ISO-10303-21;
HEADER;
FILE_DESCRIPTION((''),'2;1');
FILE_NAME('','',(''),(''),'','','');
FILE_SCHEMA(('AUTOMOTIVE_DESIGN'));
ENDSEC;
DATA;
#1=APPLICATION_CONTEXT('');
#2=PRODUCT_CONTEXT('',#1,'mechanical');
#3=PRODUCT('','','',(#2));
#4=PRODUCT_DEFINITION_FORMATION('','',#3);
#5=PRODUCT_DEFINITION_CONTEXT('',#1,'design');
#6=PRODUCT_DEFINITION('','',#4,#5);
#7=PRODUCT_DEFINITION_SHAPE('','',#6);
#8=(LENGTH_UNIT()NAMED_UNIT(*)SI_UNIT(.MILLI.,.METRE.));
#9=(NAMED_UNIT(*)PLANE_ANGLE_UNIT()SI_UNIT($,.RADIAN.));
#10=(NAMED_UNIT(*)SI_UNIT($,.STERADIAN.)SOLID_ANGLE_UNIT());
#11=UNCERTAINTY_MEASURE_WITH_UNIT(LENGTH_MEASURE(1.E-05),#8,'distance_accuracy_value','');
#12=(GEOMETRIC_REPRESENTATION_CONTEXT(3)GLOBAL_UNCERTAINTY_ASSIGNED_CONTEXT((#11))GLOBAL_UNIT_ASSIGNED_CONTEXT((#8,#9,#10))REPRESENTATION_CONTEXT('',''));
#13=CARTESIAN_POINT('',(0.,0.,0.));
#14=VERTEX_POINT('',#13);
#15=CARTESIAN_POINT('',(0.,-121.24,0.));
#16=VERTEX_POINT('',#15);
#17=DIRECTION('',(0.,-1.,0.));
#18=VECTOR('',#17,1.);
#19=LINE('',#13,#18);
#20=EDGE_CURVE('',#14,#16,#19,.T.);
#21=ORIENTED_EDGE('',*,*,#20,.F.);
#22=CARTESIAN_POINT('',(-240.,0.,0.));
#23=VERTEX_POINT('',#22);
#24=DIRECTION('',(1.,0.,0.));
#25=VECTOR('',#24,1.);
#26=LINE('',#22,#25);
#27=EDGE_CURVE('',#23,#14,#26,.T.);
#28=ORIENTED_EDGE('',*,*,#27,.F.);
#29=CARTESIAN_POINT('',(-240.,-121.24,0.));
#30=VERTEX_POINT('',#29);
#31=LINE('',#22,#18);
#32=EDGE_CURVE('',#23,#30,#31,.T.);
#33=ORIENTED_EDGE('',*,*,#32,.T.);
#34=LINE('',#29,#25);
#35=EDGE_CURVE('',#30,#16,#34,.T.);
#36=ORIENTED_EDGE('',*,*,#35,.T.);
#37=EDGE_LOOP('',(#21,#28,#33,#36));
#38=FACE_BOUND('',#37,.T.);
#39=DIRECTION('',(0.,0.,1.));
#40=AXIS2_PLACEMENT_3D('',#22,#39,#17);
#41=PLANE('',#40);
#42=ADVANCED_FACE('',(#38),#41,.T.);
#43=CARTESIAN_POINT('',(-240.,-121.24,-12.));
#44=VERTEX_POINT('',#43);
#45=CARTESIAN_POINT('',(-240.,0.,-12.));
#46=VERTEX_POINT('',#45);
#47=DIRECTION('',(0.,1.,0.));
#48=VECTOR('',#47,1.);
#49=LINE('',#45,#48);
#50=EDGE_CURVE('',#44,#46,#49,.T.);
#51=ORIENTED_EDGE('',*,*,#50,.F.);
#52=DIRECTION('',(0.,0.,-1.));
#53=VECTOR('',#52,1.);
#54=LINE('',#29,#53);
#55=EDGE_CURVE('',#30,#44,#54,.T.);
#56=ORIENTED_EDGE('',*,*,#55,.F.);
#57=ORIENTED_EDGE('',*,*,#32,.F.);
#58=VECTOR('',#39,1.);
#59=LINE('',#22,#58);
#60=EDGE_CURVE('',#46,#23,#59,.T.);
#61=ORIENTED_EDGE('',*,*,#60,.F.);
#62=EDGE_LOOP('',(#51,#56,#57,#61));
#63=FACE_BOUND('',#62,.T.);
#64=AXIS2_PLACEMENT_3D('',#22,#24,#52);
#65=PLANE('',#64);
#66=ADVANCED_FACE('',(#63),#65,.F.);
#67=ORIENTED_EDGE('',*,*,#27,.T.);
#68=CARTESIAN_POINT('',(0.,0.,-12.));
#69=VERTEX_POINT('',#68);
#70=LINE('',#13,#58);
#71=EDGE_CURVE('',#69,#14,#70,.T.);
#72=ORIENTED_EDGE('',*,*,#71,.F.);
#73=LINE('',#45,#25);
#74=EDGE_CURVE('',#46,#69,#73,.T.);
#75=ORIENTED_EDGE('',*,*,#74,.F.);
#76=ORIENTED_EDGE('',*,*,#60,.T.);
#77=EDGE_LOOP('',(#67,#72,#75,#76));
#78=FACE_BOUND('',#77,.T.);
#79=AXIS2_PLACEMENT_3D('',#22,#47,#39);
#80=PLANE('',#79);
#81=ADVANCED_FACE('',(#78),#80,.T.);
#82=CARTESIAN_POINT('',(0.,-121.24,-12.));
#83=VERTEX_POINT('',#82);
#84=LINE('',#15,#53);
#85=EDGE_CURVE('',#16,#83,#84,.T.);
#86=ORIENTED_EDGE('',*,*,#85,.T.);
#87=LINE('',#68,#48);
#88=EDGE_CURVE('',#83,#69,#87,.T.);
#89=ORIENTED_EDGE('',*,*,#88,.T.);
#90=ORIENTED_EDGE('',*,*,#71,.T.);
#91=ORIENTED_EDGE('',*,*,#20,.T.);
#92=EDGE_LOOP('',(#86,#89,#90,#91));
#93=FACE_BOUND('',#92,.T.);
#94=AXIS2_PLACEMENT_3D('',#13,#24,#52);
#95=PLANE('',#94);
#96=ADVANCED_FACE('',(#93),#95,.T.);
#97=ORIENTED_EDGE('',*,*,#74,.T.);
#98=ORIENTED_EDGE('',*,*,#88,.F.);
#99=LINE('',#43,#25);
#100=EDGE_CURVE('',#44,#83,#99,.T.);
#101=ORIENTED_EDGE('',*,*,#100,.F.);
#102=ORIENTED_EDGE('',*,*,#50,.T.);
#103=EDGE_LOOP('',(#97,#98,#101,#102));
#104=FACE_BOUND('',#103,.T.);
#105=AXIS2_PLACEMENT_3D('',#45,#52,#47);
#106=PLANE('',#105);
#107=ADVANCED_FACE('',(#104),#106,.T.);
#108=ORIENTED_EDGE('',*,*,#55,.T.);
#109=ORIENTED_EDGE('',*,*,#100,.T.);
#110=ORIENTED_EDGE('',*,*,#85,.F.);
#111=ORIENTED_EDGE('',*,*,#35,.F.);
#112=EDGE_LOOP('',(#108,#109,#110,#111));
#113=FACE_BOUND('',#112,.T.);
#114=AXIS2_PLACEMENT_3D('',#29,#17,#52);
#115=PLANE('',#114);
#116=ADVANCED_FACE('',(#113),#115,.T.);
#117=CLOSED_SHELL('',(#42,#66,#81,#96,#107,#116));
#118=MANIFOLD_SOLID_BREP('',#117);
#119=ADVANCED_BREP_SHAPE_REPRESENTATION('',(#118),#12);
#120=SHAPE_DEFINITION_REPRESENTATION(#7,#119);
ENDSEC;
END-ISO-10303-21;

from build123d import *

# Parameters (mm, degrees)
SKETCH1_W           = 12
SKETCH1_H           = 121.24
BOSS_EXTRUDE1_DEPTH = 240


with BuildPart() as part:
    # Sketch1 → Boss-Extrude1 (new body)
    with BuildSketch(Plane(origin=(0, 0, 0), x_dir=(0, 0, -1), z_dir=(1, 0, 0))):
        with Locations((6, -60.62)):
            Rectangle(SKETCH1_W, SKETCH1_H)
    extrude(amount=-BOSS_EXTRUDE1_DEPTH)


solid = part.part
